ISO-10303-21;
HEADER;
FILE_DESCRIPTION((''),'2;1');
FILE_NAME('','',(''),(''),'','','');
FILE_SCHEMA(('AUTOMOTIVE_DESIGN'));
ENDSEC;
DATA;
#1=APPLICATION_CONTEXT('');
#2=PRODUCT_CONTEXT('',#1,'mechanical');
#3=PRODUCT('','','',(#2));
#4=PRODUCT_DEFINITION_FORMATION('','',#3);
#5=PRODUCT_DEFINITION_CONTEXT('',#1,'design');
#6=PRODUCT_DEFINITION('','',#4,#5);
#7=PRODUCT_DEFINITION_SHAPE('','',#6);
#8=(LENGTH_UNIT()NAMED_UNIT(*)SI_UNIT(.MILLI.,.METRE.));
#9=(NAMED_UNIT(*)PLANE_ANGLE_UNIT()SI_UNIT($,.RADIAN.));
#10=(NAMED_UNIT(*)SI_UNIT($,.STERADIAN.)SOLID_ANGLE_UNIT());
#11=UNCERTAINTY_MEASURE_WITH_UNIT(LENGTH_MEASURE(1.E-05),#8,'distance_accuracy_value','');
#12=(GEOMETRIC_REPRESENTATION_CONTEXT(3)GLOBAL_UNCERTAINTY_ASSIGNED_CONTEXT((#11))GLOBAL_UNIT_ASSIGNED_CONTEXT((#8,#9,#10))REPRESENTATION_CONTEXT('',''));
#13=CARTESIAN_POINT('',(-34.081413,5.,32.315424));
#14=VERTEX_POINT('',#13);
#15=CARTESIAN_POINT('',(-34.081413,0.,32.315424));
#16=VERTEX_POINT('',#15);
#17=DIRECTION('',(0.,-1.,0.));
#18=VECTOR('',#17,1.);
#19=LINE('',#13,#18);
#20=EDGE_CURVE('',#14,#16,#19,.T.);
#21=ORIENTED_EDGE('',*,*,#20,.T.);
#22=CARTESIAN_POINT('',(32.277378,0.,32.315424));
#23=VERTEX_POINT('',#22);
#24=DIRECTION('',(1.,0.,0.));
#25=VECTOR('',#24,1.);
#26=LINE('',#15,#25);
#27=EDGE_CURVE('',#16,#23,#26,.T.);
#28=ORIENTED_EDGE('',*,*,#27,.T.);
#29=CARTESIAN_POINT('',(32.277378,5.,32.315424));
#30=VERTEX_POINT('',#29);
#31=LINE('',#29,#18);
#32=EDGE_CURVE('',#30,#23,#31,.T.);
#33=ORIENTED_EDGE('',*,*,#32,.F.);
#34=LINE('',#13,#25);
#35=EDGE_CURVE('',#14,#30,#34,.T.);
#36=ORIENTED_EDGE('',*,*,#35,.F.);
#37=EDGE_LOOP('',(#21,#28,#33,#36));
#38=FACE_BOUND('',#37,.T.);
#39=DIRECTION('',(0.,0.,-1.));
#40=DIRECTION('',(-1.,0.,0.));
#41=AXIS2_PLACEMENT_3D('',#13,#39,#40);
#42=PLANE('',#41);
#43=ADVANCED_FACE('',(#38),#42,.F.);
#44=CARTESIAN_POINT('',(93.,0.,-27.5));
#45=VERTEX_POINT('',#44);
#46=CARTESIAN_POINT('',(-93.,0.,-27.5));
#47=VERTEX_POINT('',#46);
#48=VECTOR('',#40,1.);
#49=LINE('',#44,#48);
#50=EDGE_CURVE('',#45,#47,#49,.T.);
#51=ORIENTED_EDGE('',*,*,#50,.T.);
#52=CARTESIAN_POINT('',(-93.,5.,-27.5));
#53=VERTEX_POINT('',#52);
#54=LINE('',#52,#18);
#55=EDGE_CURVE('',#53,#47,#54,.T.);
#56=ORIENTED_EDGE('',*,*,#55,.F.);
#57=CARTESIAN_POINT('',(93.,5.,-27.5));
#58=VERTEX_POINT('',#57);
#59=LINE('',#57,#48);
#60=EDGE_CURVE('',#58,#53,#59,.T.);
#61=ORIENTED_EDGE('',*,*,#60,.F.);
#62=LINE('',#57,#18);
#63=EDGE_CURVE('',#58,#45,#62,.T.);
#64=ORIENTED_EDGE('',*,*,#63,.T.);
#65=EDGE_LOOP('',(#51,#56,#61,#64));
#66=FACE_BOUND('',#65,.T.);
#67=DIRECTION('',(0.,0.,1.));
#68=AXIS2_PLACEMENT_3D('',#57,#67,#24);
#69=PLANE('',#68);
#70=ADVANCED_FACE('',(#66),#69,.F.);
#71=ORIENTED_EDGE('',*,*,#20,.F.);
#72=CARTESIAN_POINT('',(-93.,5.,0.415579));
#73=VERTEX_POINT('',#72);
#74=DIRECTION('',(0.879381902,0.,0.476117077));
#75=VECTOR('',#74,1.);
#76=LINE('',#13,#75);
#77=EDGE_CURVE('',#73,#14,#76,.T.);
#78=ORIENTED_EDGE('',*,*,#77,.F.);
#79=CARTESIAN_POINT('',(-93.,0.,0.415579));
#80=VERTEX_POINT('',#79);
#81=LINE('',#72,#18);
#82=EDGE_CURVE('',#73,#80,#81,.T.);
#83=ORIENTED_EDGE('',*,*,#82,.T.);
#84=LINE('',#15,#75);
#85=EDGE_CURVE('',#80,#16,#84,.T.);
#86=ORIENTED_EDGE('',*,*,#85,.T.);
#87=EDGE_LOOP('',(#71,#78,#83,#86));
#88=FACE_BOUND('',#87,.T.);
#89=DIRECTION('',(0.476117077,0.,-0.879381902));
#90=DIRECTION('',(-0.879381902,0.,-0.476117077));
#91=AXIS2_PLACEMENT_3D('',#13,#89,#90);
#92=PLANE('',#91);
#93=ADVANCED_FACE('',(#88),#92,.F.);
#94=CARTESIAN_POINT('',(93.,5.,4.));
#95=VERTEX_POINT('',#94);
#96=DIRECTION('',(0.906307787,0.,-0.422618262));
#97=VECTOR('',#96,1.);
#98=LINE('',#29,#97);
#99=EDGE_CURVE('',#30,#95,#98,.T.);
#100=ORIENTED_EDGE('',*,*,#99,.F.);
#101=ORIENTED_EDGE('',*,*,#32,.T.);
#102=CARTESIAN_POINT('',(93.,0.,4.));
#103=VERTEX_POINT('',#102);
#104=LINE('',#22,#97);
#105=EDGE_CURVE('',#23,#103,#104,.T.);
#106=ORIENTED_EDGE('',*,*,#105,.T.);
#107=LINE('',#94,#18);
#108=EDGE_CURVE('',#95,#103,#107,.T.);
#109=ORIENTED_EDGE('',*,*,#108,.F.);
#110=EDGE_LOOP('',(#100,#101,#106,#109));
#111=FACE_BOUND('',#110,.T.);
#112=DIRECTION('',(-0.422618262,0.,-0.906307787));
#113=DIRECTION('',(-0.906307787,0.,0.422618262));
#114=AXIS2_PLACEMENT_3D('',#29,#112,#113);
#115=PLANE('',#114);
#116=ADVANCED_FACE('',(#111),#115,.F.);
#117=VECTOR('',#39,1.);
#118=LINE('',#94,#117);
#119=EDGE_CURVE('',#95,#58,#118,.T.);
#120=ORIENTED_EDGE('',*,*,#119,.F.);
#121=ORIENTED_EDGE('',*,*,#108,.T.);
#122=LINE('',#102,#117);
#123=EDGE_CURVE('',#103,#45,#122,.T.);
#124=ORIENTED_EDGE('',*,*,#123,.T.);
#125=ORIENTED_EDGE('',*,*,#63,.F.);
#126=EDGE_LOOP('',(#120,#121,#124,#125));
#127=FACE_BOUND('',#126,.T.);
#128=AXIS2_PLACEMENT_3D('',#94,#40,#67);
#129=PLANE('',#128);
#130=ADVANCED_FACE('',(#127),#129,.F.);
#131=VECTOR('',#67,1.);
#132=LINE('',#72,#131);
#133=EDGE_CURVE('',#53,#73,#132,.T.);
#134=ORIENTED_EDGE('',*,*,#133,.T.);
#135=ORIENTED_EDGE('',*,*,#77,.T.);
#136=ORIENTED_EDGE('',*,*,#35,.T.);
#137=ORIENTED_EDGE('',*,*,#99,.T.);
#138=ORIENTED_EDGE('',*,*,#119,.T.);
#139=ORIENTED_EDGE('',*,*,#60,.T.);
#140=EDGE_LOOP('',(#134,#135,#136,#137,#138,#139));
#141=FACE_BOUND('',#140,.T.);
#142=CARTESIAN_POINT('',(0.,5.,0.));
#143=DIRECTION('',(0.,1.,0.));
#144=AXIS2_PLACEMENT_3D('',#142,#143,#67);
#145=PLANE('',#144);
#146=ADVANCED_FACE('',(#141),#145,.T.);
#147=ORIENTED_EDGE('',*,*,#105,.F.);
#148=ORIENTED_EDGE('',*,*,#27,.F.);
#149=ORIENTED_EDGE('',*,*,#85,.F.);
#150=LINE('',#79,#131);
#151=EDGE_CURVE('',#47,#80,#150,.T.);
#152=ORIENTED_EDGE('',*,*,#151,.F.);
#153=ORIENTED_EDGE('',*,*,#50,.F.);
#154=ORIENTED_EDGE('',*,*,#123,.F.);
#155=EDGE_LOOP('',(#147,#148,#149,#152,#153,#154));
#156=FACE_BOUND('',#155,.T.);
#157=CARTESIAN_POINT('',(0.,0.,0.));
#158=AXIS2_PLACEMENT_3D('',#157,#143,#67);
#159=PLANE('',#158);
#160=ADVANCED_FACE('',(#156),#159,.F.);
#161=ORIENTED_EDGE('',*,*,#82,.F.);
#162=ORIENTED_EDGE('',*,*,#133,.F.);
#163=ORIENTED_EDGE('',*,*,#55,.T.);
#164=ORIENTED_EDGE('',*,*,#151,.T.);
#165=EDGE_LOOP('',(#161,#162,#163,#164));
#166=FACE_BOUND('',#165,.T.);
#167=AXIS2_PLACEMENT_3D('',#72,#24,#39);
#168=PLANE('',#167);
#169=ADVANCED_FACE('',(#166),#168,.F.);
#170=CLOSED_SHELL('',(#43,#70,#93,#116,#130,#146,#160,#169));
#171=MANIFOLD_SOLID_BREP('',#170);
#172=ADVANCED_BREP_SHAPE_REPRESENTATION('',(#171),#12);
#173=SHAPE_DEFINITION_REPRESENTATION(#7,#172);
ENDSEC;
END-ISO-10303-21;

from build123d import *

# Parameters (mm, degrees)
SALIENTE_EXTRUIR1_DEPTH = 5


with BuildPart() as part:
    # Croquis1 → Saliente-Extruir1 (new body)
    with BuildSketch(Plane(origin=(0, 0, 0), x_dir=(1, 0, 0), z_dir=(0, 1, 0))):
        Polygon((-34.081412598, -32.315423537), (32.277378269, -32.315423537), (93, -4), (93, 27.5), (-93, 27.5), (-93, -0.415579359), align=None)
    extrude(amount=SALIENTE_EXTRUIR1_DEPTH)


solid = part.part
